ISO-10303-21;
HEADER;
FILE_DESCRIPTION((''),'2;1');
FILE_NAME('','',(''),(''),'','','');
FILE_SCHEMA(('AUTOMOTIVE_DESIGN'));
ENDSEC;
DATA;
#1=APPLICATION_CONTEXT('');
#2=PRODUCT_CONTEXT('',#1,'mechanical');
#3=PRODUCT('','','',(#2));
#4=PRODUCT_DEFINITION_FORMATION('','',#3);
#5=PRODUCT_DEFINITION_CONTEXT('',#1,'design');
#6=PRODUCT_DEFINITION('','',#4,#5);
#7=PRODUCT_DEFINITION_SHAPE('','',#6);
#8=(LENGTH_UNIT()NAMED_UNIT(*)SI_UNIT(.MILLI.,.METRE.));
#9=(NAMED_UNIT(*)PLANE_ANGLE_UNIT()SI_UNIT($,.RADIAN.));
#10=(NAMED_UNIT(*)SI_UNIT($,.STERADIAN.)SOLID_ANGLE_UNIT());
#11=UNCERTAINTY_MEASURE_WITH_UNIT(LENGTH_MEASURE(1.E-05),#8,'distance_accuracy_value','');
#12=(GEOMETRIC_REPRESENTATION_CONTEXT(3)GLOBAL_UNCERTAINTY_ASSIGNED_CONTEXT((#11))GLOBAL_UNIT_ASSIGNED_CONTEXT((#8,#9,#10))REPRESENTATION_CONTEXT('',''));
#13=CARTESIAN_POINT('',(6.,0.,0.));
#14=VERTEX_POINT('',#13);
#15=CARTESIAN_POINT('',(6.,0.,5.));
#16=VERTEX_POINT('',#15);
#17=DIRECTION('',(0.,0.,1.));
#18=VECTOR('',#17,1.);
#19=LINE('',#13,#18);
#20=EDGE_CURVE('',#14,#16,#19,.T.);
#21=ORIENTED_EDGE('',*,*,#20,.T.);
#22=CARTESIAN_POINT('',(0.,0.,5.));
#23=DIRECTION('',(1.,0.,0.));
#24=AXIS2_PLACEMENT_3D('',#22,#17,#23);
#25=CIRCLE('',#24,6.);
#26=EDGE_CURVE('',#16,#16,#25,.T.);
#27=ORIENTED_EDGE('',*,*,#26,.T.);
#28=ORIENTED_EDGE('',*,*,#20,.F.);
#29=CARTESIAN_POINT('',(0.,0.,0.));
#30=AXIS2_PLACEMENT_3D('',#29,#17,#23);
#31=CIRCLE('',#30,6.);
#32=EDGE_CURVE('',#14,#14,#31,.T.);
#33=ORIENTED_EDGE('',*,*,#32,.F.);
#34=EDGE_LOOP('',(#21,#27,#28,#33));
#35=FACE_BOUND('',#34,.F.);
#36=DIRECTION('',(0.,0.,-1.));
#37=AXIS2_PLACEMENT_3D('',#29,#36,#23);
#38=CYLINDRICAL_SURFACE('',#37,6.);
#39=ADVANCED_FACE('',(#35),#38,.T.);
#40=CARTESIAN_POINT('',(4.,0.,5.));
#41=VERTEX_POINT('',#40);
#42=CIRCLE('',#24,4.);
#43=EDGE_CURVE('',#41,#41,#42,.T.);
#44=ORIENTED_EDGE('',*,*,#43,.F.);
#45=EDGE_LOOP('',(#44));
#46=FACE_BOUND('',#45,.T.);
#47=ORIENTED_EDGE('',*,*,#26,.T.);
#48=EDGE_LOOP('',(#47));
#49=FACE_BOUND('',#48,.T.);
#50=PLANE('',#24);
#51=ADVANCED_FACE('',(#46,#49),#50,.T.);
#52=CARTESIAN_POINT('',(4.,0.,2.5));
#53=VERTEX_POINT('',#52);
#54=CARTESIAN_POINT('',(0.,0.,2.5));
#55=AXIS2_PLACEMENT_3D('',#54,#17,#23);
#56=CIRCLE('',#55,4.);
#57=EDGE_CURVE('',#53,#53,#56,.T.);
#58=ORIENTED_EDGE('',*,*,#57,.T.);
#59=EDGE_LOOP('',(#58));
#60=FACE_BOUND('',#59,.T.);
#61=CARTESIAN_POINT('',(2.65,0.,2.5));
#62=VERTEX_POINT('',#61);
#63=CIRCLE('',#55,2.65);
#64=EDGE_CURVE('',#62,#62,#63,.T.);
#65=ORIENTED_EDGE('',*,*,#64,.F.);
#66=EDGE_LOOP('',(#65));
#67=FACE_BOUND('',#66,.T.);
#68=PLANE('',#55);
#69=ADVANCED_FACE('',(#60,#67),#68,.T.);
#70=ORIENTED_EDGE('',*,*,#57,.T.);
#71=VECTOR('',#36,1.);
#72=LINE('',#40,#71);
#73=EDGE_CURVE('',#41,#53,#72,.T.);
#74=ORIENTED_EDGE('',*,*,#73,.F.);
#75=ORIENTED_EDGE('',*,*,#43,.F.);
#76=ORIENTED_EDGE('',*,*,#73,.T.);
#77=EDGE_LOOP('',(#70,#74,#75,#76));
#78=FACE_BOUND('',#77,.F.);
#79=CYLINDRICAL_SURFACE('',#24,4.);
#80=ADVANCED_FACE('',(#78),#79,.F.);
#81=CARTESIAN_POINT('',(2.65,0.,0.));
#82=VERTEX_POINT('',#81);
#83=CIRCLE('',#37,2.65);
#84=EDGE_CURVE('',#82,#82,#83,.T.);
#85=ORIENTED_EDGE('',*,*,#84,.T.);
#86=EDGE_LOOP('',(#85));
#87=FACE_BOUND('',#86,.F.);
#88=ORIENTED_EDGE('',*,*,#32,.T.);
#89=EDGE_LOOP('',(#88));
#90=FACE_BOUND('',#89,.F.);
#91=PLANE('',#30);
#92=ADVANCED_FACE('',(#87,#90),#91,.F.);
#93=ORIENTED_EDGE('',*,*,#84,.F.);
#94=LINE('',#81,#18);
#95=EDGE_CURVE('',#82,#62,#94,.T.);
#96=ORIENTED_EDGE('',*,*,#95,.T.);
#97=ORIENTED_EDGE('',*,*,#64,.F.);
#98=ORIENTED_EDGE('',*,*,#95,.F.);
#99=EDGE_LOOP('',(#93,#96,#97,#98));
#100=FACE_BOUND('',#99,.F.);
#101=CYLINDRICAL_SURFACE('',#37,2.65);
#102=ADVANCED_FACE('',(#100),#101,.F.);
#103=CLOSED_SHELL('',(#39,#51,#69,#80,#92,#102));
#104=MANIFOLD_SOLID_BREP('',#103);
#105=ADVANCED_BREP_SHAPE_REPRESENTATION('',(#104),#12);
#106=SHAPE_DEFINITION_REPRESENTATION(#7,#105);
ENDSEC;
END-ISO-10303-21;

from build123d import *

# Parameters (mm, degrees)
F0_R     = 6
F0_R_2   = 2.65
F1_DEPTH = 5
F2_R     = 2.65
F3_DEPTH = 25
F4_R     = 4
F4_R_2   = 2.65
F5_DEPTH = 2.5


with BuildPart() as f1:
    # F0 (on Top) → F1 (new body)
    with BuildSketch(Plane.XY):
        Circle(F0_R)
        Circle(F0_R_2, mode=Mode.SUBTRACT)
        Circle(F0_R_2)
    extrude(amount=F1_DEPTH)

    # F2 (on face) → F3 (cut)
    with BuildSketch(Plane(origin=(0, 0, 0), x_dir=(1, 0, 0), z_dir=(0, 0, -1))):
        Circle(F2_R)
    extrude(amount=-F3_DEPTH, mode=Mode.SUBTRACT)

    # F4 (on face) → F5 (cut)
    with BuildSketch(Plane.XY.offset(5)):
        Circle(F4_R)
        Circle(F4_R_2, mode=Mode.SUBTRACT)
    extrude(amount=-F5_DEPTH, mode=Mode.SUBTRACT)


solid = f1.part
